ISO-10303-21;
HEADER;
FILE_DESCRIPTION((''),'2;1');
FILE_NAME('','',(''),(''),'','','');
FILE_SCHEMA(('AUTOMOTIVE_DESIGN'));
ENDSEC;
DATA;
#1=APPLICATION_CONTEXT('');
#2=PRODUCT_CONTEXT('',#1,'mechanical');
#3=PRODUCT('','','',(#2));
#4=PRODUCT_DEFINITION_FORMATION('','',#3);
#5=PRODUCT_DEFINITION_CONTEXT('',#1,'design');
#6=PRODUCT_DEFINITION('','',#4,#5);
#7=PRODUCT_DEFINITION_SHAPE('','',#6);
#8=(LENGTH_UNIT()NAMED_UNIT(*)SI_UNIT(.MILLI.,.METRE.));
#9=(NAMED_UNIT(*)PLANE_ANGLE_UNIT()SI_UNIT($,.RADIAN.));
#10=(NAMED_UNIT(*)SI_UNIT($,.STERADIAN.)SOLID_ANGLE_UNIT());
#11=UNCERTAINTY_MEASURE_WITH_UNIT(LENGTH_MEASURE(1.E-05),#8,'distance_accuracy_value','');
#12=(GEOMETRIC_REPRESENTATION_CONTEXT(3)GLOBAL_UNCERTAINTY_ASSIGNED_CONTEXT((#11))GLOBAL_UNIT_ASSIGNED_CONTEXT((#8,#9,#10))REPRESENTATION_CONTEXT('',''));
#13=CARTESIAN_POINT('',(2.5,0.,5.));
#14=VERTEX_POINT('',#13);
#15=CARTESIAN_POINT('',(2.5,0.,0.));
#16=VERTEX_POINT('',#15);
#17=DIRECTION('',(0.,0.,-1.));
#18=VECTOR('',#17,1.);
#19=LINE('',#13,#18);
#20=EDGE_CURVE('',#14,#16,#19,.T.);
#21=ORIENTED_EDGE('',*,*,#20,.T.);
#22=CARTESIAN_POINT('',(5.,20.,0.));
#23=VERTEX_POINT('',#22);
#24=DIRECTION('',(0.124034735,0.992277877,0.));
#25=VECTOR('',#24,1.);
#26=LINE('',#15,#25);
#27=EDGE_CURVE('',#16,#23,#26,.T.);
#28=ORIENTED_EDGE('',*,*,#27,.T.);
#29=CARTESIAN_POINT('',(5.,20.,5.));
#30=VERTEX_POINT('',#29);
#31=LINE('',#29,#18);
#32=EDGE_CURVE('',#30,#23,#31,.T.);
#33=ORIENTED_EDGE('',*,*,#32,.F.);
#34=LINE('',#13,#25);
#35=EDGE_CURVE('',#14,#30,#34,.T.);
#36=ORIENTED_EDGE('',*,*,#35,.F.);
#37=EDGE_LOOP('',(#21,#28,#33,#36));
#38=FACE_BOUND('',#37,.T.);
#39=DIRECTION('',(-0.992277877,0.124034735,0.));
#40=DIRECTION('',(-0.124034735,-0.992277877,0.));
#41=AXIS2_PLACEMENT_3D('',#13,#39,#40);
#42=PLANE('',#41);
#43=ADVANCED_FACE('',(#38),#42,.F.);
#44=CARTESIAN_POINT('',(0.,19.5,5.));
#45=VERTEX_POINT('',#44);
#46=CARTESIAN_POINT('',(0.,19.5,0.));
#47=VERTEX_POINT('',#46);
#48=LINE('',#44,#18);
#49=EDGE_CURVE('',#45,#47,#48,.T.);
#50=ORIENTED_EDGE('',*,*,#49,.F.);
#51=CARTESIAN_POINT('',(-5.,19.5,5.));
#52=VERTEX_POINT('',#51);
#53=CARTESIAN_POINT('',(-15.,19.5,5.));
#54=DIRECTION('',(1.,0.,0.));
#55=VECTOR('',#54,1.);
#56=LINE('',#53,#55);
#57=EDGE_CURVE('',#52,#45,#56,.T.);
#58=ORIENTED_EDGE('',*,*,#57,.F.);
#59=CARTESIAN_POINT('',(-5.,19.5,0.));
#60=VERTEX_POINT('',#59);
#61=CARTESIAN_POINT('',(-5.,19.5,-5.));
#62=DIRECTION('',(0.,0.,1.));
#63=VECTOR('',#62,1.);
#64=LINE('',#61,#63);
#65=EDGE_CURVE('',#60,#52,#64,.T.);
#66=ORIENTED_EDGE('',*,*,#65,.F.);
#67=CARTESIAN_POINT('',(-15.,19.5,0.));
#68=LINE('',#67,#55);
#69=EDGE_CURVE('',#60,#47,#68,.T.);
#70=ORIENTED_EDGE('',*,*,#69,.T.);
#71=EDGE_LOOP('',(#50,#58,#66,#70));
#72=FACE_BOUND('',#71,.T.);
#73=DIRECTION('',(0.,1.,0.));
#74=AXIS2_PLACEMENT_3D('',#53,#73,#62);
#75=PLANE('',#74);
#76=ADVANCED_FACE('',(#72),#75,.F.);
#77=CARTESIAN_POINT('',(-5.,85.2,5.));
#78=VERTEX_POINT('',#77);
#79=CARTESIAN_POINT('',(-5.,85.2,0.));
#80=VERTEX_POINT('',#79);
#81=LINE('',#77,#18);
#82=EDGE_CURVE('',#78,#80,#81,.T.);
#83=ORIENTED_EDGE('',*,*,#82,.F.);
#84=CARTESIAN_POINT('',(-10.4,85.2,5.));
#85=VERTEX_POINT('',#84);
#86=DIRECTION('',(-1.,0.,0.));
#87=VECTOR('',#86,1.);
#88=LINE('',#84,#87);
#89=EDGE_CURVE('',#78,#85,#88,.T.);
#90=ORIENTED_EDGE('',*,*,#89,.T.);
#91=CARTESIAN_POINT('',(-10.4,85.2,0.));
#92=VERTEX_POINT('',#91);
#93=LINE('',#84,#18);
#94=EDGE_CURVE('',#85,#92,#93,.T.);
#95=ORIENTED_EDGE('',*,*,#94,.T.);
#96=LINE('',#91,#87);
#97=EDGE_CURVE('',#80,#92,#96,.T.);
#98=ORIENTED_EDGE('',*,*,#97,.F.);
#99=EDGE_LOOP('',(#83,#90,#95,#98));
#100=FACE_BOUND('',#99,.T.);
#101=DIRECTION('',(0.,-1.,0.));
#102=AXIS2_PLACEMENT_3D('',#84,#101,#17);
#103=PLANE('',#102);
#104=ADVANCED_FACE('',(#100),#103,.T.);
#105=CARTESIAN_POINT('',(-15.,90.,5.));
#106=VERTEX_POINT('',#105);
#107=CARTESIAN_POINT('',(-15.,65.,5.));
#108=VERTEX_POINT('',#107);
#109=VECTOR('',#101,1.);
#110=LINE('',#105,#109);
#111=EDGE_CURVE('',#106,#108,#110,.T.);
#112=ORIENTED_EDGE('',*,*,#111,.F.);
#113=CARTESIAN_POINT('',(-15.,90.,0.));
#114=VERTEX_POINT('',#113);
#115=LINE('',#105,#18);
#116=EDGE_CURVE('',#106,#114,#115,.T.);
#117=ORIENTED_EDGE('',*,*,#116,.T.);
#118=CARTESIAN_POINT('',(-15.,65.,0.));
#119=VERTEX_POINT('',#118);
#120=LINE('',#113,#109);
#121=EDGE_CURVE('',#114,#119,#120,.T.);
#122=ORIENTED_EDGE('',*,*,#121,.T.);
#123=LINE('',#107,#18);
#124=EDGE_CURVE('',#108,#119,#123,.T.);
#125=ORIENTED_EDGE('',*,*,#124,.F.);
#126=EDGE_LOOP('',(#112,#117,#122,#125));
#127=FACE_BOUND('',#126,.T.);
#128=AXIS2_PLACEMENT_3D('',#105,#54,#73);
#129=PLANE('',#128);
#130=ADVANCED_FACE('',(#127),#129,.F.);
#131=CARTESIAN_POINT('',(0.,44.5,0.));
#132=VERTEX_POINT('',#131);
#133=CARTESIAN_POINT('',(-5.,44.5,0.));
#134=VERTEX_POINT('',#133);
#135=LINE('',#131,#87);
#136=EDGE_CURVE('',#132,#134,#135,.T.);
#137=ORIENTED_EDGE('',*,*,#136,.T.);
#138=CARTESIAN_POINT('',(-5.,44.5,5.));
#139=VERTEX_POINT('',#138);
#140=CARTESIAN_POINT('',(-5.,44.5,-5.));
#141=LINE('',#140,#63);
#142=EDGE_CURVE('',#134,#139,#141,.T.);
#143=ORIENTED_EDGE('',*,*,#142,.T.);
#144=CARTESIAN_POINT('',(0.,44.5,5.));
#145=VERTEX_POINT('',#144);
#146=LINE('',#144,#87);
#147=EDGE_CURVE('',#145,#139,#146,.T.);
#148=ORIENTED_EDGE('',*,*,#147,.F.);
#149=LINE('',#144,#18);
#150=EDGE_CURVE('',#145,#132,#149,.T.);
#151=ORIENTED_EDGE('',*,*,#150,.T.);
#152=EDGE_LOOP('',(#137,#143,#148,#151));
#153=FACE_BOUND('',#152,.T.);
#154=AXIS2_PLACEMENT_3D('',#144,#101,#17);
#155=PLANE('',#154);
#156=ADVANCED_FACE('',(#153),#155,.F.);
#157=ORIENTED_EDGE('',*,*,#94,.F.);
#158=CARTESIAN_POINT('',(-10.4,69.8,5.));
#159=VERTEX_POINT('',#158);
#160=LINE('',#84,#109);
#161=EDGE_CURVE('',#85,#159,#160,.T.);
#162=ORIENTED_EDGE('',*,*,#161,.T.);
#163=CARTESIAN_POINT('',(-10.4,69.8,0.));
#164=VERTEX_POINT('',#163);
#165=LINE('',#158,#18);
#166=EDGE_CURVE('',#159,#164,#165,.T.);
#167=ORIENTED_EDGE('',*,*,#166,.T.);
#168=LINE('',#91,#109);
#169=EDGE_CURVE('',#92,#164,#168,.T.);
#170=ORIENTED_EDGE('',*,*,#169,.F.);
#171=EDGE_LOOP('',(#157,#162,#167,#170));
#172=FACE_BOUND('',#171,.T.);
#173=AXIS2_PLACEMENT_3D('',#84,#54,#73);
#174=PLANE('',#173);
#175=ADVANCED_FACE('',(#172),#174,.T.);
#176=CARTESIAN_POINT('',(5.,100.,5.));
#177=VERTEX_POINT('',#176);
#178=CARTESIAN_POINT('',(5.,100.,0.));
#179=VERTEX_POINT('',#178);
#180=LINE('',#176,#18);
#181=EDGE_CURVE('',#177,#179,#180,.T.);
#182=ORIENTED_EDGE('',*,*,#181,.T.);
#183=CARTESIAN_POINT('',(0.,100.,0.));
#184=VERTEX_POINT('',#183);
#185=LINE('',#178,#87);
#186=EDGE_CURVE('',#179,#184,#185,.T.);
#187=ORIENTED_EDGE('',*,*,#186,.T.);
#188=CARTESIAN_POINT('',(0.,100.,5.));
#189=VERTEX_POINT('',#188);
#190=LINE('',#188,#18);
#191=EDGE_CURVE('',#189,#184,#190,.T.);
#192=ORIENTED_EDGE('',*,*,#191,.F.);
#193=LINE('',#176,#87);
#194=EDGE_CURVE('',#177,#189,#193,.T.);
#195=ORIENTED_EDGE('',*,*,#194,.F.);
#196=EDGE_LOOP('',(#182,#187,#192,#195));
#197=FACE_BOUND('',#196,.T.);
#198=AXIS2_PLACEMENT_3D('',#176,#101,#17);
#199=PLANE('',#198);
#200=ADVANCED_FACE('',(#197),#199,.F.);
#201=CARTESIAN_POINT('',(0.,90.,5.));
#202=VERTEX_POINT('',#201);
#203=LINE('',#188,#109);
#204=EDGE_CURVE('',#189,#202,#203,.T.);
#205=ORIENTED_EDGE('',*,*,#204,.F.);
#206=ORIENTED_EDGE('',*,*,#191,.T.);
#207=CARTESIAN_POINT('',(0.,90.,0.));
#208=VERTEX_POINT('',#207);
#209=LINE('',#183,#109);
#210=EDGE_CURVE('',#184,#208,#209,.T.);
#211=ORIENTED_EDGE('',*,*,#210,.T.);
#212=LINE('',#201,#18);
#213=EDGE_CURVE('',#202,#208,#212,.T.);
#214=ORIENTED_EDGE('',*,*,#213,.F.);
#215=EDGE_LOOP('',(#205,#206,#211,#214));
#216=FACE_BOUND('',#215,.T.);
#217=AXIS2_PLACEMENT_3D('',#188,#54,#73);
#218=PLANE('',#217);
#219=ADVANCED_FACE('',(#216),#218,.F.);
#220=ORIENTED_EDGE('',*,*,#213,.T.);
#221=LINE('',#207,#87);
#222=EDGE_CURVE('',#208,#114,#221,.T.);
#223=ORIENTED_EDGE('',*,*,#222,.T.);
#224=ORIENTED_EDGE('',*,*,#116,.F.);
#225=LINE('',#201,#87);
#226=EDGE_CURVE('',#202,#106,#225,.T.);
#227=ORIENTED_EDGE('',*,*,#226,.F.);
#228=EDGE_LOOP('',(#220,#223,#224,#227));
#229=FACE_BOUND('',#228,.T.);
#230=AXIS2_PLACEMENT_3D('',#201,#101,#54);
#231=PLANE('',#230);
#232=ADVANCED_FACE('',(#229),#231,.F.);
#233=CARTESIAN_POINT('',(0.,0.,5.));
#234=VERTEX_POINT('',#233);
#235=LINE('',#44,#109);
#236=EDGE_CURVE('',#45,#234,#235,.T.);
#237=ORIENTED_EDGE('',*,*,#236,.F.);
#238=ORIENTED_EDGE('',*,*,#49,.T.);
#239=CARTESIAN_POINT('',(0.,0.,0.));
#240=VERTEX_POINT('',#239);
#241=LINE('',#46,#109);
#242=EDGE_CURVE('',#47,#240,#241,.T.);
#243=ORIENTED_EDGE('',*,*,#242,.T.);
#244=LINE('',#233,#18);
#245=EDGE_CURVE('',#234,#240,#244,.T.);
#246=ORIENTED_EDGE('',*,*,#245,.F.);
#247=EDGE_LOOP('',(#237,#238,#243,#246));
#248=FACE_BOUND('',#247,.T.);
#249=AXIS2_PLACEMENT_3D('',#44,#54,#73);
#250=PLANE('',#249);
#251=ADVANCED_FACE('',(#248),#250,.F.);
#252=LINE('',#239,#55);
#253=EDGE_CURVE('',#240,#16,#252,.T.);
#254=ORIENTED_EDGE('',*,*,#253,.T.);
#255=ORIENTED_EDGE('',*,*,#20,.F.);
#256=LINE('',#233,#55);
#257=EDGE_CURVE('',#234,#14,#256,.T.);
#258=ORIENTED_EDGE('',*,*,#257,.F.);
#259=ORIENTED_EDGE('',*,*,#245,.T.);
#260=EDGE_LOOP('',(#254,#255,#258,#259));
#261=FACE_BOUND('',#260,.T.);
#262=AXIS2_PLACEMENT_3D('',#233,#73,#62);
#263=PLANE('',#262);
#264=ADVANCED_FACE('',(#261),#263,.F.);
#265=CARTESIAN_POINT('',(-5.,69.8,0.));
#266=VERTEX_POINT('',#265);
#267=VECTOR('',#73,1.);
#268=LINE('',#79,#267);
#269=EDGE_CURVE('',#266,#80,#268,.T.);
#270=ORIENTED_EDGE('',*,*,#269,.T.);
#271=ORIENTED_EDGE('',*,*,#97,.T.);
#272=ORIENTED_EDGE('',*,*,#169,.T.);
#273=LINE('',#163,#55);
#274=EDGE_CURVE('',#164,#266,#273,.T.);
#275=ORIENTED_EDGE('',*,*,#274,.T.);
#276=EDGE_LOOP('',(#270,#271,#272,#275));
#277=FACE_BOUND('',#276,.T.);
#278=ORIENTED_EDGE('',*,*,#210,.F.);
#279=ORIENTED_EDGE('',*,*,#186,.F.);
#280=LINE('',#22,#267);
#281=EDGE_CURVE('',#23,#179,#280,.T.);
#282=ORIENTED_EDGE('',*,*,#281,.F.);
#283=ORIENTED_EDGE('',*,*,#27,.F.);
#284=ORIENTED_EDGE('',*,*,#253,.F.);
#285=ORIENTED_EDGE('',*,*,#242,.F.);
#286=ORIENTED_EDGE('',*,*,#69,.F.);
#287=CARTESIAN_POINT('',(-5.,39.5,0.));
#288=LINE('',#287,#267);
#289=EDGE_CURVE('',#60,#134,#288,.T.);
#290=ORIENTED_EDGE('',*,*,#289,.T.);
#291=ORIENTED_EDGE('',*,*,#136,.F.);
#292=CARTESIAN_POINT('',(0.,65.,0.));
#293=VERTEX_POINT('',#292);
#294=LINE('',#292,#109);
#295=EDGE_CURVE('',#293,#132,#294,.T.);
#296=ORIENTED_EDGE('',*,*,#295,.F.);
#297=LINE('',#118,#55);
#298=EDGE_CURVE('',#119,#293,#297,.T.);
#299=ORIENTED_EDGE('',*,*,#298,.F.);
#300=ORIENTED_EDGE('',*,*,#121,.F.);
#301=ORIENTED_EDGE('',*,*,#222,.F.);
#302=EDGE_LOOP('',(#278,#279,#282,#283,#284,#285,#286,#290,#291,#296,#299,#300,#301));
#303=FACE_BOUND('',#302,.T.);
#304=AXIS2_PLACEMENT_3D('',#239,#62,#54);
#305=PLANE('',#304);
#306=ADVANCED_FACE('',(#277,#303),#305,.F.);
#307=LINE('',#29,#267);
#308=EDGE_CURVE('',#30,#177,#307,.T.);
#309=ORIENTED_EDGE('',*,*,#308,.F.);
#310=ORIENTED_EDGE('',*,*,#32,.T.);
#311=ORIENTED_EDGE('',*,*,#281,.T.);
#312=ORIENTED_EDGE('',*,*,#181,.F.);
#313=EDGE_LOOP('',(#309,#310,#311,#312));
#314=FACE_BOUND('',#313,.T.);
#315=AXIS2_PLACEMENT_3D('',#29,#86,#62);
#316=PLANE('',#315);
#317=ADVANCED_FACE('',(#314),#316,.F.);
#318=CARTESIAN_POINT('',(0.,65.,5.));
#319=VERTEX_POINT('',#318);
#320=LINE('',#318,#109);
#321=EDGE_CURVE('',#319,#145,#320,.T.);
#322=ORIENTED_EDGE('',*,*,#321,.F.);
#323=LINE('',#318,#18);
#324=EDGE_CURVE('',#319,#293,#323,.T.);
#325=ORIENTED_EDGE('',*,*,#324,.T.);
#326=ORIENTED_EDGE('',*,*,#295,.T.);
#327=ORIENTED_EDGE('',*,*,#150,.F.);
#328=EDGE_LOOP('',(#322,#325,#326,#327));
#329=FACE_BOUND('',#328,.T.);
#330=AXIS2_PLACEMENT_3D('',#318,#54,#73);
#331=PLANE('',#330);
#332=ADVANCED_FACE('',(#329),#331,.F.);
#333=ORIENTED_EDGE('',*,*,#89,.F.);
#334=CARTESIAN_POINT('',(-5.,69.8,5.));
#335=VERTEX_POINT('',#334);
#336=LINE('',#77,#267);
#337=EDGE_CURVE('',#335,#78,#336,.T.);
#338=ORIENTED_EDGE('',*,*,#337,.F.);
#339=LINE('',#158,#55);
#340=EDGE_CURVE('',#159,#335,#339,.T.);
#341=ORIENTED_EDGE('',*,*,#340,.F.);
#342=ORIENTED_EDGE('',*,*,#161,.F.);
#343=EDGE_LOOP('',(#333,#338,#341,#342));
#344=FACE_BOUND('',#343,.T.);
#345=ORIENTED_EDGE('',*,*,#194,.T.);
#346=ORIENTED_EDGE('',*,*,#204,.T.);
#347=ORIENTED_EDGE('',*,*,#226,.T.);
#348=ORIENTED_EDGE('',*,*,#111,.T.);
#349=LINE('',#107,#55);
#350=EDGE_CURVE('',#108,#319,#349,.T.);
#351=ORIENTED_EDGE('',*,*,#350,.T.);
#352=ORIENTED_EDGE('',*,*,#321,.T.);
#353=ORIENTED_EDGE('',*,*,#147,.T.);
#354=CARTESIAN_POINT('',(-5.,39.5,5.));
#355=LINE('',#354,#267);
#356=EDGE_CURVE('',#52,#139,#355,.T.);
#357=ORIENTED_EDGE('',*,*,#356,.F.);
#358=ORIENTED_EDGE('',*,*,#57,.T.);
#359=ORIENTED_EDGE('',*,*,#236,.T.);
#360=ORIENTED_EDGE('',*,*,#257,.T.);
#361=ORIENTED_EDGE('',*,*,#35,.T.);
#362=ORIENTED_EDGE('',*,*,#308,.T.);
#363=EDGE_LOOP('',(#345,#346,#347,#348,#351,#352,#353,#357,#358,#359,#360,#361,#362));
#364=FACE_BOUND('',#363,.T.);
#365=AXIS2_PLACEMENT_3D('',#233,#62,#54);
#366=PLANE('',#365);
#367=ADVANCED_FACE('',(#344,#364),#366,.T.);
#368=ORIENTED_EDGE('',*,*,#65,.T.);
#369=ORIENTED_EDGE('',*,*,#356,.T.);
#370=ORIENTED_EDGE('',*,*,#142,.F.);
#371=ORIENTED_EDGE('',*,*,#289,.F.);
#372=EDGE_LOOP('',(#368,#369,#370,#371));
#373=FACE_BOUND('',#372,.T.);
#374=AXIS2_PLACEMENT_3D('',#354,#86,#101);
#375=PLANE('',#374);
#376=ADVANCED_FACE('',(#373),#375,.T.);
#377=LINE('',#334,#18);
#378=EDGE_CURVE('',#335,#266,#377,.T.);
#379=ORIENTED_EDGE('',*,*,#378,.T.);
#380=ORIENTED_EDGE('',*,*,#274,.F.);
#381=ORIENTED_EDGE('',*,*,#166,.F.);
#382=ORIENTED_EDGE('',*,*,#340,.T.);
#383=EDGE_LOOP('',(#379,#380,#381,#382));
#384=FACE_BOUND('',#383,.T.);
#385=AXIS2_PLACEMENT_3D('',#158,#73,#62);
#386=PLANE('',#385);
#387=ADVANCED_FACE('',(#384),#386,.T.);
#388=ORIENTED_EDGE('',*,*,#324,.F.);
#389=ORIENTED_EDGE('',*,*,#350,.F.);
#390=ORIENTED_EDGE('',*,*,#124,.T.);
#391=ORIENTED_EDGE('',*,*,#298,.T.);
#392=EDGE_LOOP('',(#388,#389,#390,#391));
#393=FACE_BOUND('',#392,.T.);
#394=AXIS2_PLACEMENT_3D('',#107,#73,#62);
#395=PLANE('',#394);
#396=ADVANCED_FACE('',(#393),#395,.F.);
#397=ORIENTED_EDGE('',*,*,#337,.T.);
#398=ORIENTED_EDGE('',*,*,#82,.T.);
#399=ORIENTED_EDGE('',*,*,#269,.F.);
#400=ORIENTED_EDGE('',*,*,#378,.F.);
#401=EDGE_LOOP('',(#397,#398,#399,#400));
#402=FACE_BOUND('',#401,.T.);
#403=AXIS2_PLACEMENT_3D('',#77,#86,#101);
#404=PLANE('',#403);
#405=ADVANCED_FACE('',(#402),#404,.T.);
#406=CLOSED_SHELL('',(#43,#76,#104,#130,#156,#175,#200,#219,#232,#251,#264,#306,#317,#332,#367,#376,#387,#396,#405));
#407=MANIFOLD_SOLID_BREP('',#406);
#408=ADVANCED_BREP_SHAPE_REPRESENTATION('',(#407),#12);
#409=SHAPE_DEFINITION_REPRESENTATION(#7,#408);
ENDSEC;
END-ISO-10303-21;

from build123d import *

# Parameters (mm, degrees)
SKETCH1_W           = 5.4
SKETCH1_H           = 15.4
SKETCH1_W_2         = 5
SKETCH1_H_2         = 15
BOSS_EXTRUDE1_DEPTH = 5
SKETCH2_W           = 10
SKETCH2_H           = 25
CUT_EXTRUDE1_DEPTH  = 10


with BuildPart() as part:
    # Sketch1 → Boss-Extrude1 (new body)
    with BuildSketch(Plane.XY):
        Polygon((0, 0), (2.5, 0), (5, 20), (5, 100), (0, 100), (0, 90), (-15, 90), (-15, 65), (0, 65), (0, 44.5), (-15, 44.5), (-15, 19.5), (0, 19.5), align=None)
        with Locations((-7.7, 77.5)):
            Rectangle(SKETCH1_W, SKETCH1_H, mode=Mode.SUBTRACT)
        with Locations((-7.5, 32)):
            Rectangle(SKETCH1_W_2, SKETCH1_H_2, mode=Mode.SUBTRACT)
    extrude(amount=BOSS_EXTRUDE1_DEPTH)

    # Sketch2 → Cut-Extrude1 (cut)
    with BuildSketch(Plane.XY.offset(5)):
        with Locations((-10, 32)):
            Rectangle(SKETCH2_W, SKETCH2_H)
    extrude(amount=-CUT_EXTRUDE1_DEPTH, mode=Mode.SUBTRACT)


solid = part.part
